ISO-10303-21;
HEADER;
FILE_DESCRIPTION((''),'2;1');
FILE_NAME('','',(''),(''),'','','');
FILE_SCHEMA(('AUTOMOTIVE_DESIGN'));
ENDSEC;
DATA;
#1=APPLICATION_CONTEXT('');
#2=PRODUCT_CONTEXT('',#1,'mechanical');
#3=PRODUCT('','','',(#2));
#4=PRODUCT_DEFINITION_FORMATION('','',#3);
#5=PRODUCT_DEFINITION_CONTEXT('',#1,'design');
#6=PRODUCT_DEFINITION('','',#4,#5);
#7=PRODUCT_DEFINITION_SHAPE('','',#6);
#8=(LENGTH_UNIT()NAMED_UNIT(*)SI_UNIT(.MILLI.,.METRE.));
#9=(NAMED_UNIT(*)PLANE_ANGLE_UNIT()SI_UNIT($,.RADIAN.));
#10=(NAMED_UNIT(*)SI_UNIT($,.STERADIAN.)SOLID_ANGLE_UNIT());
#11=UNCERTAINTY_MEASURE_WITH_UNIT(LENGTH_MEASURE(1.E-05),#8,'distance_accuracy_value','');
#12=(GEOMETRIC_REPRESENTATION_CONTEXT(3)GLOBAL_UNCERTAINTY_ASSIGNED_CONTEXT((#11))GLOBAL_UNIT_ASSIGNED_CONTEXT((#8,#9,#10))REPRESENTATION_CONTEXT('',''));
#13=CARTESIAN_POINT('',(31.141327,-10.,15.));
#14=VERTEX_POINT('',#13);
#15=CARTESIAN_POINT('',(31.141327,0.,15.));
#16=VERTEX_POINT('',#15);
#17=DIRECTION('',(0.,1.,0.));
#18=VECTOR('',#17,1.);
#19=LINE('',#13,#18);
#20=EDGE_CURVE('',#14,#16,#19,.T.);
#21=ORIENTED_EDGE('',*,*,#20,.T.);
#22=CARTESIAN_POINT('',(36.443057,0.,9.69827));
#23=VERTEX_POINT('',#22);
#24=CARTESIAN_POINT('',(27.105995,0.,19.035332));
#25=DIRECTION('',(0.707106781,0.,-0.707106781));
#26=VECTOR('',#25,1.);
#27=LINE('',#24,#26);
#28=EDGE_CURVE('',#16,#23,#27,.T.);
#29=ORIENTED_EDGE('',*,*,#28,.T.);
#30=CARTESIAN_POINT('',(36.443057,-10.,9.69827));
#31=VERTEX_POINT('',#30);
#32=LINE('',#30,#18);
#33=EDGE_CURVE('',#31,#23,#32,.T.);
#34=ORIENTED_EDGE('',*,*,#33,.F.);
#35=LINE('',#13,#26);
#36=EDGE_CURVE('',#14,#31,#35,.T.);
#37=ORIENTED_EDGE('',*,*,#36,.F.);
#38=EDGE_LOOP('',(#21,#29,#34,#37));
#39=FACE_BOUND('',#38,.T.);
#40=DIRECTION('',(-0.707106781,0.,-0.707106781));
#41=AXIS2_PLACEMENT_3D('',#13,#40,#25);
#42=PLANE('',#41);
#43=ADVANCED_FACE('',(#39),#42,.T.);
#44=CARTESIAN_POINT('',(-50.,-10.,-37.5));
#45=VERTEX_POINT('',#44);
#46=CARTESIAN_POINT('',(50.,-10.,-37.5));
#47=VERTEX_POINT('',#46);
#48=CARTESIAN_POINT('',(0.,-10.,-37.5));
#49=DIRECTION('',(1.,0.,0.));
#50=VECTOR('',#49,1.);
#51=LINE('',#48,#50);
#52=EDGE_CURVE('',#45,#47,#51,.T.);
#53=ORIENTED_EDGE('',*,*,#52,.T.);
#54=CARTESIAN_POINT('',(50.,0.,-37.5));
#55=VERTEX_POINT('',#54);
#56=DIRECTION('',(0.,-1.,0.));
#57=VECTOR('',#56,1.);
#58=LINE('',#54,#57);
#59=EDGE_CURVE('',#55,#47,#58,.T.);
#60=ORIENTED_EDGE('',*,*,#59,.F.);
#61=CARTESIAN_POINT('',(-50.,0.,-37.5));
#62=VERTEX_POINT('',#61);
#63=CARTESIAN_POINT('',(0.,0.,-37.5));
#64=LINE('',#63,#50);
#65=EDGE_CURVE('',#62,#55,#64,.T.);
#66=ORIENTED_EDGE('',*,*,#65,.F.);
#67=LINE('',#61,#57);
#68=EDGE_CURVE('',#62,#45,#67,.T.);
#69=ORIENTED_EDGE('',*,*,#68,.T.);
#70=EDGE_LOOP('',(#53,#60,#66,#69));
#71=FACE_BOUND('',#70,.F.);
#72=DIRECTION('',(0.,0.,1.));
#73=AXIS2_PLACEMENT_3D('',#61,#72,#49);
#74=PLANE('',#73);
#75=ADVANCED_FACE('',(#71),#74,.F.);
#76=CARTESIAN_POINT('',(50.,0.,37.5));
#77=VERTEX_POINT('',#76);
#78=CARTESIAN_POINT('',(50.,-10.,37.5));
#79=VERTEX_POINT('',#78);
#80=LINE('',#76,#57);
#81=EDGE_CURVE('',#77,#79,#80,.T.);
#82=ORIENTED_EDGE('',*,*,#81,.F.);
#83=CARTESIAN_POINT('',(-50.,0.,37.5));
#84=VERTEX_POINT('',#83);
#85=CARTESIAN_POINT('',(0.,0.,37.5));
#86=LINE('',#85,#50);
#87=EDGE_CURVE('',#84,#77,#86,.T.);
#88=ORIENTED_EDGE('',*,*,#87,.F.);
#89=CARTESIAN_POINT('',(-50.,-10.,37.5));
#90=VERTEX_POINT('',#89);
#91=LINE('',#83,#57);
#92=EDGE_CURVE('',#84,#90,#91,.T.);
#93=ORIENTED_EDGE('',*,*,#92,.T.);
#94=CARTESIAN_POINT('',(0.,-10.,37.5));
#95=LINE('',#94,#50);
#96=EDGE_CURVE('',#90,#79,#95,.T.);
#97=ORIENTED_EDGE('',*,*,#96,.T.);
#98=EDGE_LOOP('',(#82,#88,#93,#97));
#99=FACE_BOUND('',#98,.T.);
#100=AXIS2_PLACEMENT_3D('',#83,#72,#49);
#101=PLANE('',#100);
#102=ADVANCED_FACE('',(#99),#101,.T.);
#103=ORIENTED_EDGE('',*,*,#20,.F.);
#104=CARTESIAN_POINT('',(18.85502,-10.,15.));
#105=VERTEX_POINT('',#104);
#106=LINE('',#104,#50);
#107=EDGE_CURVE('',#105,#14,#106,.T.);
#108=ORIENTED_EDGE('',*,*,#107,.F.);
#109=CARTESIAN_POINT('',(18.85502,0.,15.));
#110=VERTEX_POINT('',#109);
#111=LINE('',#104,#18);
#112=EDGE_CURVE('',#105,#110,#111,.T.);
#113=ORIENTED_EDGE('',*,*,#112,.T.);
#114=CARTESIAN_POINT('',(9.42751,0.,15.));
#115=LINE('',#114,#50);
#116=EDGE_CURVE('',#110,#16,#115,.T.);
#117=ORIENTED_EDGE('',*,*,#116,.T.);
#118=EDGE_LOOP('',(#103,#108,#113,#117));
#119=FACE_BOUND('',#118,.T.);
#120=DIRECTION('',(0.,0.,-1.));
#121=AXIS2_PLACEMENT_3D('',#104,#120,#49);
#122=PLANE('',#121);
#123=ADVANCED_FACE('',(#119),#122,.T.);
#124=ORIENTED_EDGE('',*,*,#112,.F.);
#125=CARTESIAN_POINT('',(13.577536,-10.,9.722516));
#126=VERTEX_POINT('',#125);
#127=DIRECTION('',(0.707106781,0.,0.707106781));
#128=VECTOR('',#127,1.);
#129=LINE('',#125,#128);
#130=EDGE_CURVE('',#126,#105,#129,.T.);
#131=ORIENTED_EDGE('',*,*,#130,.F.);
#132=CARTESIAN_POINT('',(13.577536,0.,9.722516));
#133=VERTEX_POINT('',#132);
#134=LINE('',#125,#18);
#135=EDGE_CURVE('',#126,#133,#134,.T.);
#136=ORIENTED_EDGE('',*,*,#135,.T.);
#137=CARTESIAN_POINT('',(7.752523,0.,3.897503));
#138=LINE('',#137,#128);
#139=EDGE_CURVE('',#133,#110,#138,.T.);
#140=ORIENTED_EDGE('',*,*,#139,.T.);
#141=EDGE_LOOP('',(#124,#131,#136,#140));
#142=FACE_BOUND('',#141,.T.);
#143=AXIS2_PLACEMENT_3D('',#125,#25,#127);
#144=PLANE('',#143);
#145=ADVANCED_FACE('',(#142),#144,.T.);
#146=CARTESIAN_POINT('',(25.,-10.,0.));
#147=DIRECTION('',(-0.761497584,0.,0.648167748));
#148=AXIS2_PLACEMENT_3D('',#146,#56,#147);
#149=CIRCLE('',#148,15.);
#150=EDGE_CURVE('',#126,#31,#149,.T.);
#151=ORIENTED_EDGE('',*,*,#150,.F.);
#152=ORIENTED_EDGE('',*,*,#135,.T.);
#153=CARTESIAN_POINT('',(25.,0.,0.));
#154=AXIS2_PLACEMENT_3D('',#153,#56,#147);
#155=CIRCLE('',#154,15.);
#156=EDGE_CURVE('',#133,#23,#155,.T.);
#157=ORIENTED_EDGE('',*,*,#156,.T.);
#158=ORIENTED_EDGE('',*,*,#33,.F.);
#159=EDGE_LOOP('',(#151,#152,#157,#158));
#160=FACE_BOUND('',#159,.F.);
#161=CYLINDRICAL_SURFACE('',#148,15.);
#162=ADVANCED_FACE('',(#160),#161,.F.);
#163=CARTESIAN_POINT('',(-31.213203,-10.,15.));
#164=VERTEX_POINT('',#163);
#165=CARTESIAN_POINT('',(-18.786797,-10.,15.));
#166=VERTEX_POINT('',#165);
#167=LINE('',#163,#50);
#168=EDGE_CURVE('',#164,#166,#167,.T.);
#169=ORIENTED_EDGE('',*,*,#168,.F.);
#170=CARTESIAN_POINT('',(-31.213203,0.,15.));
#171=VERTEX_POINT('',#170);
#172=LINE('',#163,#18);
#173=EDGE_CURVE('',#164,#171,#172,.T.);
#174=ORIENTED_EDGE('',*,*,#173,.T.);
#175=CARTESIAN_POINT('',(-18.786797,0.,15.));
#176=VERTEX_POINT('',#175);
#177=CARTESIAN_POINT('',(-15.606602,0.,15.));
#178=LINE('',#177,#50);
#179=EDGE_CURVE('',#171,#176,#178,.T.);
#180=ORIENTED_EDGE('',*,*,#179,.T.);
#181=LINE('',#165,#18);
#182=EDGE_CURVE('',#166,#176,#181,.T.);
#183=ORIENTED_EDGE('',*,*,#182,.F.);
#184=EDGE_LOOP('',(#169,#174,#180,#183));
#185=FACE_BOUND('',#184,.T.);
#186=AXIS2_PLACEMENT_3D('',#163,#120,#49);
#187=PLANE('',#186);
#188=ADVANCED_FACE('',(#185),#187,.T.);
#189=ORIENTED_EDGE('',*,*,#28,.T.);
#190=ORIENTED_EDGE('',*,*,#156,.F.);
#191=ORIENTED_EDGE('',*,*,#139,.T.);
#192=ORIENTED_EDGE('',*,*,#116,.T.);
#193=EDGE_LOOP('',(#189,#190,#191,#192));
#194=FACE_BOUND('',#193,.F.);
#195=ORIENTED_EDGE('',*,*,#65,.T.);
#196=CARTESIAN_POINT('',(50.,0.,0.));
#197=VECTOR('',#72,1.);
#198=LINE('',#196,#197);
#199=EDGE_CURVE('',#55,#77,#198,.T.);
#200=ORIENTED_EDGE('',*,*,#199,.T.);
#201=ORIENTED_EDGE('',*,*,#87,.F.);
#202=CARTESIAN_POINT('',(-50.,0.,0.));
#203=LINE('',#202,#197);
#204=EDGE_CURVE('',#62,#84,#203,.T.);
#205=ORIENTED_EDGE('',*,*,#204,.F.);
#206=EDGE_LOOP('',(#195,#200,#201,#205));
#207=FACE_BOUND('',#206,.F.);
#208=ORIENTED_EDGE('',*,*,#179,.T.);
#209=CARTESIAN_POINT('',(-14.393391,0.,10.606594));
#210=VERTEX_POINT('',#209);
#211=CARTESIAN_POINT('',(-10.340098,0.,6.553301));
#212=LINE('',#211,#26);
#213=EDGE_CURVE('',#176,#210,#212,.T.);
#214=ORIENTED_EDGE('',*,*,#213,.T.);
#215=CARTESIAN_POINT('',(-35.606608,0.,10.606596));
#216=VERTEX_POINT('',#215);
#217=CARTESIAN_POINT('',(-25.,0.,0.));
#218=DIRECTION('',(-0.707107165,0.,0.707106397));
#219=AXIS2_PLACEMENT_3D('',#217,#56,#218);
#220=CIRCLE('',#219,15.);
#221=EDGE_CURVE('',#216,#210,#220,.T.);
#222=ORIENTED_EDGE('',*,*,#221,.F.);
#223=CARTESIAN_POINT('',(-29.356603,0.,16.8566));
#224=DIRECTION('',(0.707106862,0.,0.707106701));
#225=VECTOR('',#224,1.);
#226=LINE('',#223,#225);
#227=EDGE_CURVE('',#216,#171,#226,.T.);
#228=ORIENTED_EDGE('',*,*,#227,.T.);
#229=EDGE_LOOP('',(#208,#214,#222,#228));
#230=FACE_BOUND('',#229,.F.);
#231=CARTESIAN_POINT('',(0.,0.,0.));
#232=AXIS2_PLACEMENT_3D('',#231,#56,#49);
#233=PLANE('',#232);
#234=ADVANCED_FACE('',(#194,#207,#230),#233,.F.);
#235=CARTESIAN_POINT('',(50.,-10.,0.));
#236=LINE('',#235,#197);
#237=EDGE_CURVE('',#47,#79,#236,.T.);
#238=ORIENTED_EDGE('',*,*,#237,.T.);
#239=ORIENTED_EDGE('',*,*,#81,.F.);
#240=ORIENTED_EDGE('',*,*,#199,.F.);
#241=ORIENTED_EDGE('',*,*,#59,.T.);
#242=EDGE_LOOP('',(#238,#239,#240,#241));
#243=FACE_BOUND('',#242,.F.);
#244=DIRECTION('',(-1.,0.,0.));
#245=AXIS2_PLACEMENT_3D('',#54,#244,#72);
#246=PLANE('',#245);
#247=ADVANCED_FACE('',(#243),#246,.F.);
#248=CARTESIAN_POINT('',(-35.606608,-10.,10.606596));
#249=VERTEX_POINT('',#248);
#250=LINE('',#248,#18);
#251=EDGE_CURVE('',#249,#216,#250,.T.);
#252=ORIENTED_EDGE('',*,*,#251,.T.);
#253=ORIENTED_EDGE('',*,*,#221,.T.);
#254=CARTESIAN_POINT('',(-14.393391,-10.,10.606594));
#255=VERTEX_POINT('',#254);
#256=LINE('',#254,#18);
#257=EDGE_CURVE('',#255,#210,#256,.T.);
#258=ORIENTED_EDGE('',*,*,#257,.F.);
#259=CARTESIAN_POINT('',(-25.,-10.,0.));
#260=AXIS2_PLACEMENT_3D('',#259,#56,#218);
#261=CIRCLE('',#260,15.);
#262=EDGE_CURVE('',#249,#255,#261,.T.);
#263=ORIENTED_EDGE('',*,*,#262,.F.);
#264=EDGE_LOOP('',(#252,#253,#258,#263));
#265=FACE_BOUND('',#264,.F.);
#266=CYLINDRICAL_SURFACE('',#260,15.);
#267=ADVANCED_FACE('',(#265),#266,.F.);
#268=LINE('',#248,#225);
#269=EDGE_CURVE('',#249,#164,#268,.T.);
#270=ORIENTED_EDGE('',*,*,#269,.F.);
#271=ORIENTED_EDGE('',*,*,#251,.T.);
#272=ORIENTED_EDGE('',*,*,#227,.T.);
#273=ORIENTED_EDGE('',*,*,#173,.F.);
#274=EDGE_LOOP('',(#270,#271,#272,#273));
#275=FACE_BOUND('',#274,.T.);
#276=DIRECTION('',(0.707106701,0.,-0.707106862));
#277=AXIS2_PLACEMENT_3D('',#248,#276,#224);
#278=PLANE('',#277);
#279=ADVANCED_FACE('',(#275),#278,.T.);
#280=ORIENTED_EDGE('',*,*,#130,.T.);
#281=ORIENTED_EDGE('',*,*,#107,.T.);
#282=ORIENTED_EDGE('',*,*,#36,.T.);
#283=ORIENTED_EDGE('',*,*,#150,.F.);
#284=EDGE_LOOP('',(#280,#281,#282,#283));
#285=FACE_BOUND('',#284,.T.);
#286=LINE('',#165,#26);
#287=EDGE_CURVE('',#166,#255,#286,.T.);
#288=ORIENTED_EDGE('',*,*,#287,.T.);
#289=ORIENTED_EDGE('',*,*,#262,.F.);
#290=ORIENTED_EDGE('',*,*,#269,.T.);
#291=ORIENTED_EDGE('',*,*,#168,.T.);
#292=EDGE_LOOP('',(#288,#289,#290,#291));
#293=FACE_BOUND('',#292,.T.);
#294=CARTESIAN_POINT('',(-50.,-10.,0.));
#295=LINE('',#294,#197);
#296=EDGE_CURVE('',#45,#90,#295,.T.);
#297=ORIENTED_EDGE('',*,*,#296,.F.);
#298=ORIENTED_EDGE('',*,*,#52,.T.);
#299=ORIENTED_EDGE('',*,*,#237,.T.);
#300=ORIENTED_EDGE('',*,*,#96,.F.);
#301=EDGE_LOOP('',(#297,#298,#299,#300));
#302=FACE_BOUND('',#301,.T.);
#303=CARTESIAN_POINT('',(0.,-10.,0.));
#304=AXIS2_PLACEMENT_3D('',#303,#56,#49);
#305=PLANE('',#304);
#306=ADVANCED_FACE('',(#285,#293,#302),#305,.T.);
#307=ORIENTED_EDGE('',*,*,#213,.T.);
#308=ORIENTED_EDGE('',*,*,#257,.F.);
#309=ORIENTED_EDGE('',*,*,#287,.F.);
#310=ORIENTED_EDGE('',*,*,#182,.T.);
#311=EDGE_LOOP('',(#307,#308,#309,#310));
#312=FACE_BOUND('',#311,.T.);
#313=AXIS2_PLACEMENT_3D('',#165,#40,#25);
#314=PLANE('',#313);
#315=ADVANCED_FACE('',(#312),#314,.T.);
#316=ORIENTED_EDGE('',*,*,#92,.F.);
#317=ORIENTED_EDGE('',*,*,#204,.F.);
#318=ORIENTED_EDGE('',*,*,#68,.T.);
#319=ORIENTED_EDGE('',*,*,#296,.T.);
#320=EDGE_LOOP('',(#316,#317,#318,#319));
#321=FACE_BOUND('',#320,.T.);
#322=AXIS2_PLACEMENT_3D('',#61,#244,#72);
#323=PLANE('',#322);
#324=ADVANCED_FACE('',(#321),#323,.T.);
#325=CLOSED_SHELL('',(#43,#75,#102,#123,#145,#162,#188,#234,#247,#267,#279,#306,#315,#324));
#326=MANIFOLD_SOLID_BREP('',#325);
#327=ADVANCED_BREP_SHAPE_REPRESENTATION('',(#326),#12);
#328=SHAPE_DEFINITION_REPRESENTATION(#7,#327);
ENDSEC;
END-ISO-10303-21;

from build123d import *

# Parameters (mm, degrees)
SKETCH_W     = 100
SKETCH_H     = 75
PAD_DEPTH    = 10
POCKET_DEPTH = 10.001


with BuildPart() as part:
    # Sketch → Pad (new body)
    with BuildSketch(Plane.XZ):
        Rectangle(SKETCH_W, SKETCH_H)
    extrude(amount=PAD_DEPTH)

    # Sketch001 → Pocket (cut, through all)
    with BuildSketch(Plane.XZ.offset(10)):
        with BuildLine():
            ThreePointArc((-35.606608, 10.606596), (-25.000001, -15), (-14.393391, 10.606594))
            Line((-18.786797, 15), (-14.393391, 10.606594))
            Line((-31.213203, 15), (-18.786797, 15))
            Line((-35.606608, 10.606596), (-31.213203, 15))
        make_face()
        with BuildLine():
            ThreePointArc((13.577536, 9.722516), (24.984095, -14.999992), (36.443057, 9.69827))
            Line((31.141327, 15), (36.443057, 9.69827))
            Line((18.85502, 15), (31.141327, 15))
            Line((13.577536, 9.722516), (18.85502, 15))
        make_face()
    extrude(amount=-POCKET_DEPTH, mode=Mode.SUBTRACT)


solid = part.part
